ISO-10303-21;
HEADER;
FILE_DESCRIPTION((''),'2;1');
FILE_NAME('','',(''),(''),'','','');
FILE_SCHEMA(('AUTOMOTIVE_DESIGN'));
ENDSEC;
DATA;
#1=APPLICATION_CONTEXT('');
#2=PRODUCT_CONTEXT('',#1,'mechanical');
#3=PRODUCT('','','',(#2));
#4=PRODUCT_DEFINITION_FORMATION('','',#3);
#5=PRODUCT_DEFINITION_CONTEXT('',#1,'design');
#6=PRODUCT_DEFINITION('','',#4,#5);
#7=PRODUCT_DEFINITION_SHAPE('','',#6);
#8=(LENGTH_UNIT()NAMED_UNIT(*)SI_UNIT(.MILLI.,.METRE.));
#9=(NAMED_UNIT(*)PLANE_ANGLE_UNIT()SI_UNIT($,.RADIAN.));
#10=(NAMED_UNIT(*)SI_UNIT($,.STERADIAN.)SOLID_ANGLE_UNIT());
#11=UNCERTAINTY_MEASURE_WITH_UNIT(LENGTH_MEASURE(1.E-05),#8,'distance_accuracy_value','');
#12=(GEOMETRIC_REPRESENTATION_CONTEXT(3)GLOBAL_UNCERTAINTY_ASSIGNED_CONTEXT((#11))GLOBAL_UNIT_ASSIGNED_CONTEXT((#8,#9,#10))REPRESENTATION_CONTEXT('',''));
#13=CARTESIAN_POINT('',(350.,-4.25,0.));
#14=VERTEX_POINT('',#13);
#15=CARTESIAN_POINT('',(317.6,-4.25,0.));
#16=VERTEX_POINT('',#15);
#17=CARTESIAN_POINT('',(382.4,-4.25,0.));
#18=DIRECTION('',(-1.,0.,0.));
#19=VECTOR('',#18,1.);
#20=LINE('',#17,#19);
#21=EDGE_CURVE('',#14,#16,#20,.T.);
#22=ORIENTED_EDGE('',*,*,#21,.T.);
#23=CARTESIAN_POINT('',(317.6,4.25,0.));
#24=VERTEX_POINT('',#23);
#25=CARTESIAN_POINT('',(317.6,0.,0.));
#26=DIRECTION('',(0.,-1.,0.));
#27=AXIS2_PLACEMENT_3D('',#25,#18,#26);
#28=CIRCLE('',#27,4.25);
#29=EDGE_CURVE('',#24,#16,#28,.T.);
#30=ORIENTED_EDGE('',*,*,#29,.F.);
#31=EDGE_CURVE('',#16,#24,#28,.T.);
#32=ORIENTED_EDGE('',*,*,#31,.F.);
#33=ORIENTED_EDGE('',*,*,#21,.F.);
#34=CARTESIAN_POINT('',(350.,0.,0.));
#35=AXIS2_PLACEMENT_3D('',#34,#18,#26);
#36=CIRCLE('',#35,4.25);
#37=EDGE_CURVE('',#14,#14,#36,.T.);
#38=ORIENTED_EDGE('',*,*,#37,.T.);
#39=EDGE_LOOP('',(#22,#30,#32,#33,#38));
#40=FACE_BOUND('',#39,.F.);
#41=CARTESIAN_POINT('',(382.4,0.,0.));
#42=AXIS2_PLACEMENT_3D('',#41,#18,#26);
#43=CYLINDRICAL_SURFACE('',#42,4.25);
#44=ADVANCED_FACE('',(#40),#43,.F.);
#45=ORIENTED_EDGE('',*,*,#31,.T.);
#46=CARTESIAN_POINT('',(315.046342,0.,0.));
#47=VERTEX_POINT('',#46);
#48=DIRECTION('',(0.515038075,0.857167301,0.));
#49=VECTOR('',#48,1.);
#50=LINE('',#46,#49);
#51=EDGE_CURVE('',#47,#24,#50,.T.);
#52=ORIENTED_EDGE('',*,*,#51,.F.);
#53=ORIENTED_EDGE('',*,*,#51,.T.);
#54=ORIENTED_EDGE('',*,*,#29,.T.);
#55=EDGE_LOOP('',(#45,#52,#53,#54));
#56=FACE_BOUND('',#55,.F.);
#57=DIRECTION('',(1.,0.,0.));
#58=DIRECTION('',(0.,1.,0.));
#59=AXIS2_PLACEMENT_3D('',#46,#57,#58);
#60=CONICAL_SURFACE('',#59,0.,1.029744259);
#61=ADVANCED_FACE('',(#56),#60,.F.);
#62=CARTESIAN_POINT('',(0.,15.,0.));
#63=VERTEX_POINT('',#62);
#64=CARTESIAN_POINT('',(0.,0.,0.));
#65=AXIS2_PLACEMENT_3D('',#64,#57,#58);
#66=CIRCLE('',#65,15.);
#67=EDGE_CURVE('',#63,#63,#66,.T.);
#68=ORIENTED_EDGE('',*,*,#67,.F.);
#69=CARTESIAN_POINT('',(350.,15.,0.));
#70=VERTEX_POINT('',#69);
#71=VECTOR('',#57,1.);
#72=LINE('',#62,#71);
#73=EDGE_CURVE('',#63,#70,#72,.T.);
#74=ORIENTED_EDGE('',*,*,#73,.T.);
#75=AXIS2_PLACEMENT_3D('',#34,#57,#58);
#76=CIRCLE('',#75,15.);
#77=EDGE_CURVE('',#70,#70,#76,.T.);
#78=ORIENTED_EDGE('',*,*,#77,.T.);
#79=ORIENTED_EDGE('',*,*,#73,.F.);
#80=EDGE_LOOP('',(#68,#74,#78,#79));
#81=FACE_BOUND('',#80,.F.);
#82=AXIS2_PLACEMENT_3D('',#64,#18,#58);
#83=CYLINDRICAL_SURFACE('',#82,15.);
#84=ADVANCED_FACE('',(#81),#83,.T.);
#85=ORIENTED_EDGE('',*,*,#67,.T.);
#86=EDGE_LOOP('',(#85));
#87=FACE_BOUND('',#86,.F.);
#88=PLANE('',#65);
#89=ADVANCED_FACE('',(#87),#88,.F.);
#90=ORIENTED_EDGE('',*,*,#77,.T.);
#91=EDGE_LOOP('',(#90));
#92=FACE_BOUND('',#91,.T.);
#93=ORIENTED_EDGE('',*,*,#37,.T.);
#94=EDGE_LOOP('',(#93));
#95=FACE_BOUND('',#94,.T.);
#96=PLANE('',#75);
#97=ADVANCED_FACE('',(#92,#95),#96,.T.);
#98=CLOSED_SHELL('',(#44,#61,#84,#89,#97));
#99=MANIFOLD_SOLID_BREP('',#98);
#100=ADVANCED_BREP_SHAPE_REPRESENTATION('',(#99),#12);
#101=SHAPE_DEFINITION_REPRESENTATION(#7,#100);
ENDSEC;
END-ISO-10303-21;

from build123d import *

# Parameters (mm, degrees)
F0_R     = 15
F1_DEPTH = 350
F3_D     = 8.5
F3_DEPTH = 32.4
F3_TIP   = 2.5536576309


with BuildPart() as f1:
    # F0 (on Right) → F1 (new body)
    with BuildSketch(Plane.YZ):
        Circle(F0_R)
    extrude(amount=F1_DEPTH)

    # F3
    with Locations(Plane.YZ.offset(350)):
        with Locations((0, 0)):
            Hole(F3_D / 2, depth=F3_DEPTH)
            with Locations((0, 0, -(F3_DEPTH + F3_TIP / 2))):  # 118° drill point
                Cone(0, F3_D / 2, F3_TIP, mode=Mode.SUBTRACT)


solid = f1.part
